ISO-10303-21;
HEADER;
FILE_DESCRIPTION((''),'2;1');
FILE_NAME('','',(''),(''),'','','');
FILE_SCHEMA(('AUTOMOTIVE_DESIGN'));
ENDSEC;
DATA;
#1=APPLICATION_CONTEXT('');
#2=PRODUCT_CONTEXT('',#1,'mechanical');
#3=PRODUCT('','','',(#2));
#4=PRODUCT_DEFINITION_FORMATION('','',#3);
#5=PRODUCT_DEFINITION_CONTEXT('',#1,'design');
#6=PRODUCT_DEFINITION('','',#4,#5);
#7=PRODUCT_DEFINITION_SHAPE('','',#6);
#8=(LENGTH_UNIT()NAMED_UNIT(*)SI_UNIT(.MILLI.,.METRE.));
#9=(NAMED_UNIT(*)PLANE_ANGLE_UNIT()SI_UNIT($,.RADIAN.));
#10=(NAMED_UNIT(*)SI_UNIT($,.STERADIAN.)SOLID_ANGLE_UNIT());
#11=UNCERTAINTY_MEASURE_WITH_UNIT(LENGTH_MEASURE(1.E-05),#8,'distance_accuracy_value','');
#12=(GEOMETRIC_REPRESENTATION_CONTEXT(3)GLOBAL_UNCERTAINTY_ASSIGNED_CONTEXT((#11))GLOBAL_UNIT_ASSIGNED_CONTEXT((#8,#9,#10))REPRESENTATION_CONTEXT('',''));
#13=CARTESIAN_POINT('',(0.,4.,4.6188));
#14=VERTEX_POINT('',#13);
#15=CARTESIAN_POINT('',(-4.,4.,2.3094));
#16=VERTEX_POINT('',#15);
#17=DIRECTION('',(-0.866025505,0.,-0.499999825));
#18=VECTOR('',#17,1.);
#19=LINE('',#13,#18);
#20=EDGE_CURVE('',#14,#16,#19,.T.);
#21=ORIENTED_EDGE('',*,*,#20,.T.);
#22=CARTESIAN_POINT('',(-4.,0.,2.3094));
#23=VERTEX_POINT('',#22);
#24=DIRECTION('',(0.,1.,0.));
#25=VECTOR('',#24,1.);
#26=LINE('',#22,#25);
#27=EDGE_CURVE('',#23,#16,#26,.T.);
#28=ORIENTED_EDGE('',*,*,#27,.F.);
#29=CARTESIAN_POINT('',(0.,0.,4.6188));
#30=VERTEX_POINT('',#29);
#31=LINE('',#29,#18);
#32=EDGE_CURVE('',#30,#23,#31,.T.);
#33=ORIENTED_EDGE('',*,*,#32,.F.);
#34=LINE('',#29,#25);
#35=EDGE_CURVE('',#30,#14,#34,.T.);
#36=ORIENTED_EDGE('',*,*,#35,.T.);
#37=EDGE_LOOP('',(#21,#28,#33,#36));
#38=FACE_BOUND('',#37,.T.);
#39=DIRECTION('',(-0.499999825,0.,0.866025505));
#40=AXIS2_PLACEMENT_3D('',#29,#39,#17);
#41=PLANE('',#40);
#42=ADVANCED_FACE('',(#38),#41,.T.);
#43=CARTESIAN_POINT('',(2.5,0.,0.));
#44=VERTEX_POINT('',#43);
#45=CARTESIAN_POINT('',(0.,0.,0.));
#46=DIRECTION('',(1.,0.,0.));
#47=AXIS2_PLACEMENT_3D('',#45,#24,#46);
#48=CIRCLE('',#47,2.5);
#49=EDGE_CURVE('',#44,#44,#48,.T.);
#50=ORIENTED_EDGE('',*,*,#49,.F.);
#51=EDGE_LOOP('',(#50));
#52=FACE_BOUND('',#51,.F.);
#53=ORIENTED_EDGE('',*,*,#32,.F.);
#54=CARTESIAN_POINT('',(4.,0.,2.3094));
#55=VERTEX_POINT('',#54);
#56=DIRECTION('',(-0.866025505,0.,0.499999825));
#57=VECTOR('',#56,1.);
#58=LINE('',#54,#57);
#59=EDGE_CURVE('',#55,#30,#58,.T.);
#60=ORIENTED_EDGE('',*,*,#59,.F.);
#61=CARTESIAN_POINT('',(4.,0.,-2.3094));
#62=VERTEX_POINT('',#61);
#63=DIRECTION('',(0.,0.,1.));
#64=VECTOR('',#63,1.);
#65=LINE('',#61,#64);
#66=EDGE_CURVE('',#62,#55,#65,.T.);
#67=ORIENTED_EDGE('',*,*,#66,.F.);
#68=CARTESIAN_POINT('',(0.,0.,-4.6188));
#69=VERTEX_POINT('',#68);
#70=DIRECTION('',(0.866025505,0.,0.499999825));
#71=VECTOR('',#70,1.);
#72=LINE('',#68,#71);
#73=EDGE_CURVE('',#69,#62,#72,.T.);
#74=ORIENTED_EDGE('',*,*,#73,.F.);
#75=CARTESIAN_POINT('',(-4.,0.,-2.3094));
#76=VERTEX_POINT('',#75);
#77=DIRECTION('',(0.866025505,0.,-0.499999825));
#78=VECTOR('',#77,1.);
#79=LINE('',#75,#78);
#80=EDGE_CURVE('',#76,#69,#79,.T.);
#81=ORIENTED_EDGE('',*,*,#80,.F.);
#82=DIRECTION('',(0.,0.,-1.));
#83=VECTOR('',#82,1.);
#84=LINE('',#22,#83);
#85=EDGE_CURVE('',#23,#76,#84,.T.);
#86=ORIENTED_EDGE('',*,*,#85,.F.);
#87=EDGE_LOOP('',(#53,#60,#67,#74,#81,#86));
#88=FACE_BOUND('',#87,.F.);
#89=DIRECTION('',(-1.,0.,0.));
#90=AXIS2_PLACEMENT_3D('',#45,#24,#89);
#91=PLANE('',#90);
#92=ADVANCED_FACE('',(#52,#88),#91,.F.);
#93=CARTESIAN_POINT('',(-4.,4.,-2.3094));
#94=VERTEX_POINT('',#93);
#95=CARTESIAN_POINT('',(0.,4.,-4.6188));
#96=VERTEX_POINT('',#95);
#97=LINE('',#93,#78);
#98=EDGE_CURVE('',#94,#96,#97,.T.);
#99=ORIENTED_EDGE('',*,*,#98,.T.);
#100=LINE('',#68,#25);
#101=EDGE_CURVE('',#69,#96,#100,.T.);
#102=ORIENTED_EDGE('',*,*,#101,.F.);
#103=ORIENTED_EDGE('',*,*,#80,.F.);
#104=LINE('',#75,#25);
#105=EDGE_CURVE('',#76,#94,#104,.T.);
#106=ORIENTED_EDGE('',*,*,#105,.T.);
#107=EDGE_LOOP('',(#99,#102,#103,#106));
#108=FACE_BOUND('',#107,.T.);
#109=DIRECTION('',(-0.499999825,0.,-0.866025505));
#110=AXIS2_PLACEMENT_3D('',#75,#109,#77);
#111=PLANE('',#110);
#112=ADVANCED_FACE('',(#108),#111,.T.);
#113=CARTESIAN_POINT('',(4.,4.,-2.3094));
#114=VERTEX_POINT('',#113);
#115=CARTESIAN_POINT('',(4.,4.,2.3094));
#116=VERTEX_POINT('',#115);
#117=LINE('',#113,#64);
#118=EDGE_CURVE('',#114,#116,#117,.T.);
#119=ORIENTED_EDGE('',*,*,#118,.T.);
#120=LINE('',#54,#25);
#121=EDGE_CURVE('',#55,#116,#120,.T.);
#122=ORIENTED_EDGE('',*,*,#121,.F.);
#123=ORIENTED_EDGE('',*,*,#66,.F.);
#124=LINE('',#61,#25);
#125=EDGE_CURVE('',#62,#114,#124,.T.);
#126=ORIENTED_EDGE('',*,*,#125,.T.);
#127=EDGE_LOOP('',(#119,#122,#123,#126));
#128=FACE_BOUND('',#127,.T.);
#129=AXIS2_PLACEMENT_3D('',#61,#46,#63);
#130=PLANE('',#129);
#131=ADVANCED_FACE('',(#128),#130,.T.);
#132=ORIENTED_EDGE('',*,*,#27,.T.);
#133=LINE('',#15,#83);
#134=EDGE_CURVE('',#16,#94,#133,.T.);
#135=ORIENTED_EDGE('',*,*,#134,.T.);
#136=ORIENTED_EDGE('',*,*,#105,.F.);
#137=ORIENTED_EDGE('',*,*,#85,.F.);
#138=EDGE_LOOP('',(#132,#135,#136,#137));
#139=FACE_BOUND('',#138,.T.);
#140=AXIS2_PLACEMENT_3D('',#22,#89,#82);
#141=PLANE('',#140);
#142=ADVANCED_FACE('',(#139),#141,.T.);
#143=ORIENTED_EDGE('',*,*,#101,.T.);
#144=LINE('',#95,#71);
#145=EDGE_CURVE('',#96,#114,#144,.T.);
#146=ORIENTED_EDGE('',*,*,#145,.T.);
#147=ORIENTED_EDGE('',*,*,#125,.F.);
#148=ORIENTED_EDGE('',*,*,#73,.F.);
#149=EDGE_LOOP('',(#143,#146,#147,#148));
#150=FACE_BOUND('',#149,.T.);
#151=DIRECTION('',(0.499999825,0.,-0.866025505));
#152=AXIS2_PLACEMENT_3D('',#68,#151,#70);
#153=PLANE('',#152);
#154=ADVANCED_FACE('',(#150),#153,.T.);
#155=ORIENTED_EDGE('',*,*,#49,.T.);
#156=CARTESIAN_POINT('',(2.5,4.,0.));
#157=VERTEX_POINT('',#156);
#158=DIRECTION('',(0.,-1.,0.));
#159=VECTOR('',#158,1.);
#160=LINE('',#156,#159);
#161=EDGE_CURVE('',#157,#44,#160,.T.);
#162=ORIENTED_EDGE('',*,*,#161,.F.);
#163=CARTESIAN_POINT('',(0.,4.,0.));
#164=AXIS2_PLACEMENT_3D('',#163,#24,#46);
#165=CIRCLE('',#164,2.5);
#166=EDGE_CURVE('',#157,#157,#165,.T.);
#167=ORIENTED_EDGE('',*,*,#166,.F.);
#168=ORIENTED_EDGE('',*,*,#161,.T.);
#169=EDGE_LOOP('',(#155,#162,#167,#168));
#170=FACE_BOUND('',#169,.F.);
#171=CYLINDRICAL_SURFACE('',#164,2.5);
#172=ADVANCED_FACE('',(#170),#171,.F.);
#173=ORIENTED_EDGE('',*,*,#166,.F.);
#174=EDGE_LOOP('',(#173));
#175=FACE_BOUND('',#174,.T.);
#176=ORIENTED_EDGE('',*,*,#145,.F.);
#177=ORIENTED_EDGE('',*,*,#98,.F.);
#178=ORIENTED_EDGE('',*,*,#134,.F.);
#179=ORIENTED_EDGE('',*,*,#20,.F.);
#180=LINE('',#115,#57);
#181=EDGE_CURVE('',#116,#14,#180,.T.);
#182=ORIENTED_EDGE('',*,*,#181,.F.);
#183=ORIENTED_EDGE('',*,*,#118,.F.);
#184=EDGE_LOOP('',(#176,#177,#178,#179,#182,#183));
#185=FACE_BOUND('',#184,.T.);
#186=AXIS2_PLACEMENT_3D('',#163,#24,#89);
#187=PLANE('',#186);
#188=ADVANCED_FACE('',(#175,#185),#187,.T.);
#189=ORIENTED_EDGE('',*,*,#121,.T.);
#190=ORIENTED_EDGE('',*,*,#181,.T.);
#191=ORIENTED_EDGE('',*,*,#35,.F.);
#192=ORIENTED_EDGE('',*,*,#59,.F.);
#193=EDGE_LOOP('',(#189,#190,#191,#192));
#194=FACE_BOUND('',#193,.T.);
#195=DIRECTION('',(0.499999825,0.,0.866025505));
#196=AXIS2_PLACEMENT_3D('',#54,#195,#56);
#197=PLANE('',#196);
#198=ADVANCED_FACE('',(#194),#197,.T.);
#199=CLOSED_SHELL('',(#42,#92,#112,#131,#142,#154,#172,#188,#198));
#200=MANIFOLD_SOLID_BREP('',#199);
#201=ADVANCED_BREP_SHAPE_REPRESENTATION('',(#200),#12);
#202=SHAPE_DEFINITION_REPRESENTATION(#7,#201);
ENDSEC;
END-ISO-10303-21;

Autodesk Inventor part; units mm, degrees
ref_plane "YZ Plane" through (0, 0, 0) normal (1, 0, 0) x (0, 1, 0)
ref_plane "XZ Plane" through (0, 0, 0) normal (0, 1, 0) x (-1, 0, 0)
ref_plane "XY Plane" through (0, 0, 0) normal (0, 0, 1) x (1, 0, 0)
sketch "Sketch1" plane through (0, 0, 0) normal (0, 1, 0) x (-1, 0, 0)
  line L0 (0, 4.6188) -> (4, 2.3094)
  line L1 (4, 2.3094) -> (4, -2.3094)
  line L2 (4, -2.3094) -> (0, -4.6188)
  line L3 (0, -4.6188) -> (-4, -2.3094)
  line L4 (-4, -2.3094) -> (-4, 2.3094)
  line L5 (-4, 2.3094) -> (0, 4.6188)
  point P0 (0, 0)
  point P1 (0, 0)
  dimension "d1" = 4
extrude "Extrusion1" add sketch "Sketch1" along normal blind 4
sketch "Sketch2" plane through (0, 4, 0) normal (0, 1, 0) x (1, 0, 0)
  circle A0 centre (0, 0) radius 2.5
  dimension "d4" = 5
extrude "Extrusion2" cut sketch "Sketch2" against normal blind 4
thread "Thread1" size "M5x0.8" class "6H" standard "ANSI Metric M Profile" full length
properties part number "M5Nut" material "Stainless Steel"
